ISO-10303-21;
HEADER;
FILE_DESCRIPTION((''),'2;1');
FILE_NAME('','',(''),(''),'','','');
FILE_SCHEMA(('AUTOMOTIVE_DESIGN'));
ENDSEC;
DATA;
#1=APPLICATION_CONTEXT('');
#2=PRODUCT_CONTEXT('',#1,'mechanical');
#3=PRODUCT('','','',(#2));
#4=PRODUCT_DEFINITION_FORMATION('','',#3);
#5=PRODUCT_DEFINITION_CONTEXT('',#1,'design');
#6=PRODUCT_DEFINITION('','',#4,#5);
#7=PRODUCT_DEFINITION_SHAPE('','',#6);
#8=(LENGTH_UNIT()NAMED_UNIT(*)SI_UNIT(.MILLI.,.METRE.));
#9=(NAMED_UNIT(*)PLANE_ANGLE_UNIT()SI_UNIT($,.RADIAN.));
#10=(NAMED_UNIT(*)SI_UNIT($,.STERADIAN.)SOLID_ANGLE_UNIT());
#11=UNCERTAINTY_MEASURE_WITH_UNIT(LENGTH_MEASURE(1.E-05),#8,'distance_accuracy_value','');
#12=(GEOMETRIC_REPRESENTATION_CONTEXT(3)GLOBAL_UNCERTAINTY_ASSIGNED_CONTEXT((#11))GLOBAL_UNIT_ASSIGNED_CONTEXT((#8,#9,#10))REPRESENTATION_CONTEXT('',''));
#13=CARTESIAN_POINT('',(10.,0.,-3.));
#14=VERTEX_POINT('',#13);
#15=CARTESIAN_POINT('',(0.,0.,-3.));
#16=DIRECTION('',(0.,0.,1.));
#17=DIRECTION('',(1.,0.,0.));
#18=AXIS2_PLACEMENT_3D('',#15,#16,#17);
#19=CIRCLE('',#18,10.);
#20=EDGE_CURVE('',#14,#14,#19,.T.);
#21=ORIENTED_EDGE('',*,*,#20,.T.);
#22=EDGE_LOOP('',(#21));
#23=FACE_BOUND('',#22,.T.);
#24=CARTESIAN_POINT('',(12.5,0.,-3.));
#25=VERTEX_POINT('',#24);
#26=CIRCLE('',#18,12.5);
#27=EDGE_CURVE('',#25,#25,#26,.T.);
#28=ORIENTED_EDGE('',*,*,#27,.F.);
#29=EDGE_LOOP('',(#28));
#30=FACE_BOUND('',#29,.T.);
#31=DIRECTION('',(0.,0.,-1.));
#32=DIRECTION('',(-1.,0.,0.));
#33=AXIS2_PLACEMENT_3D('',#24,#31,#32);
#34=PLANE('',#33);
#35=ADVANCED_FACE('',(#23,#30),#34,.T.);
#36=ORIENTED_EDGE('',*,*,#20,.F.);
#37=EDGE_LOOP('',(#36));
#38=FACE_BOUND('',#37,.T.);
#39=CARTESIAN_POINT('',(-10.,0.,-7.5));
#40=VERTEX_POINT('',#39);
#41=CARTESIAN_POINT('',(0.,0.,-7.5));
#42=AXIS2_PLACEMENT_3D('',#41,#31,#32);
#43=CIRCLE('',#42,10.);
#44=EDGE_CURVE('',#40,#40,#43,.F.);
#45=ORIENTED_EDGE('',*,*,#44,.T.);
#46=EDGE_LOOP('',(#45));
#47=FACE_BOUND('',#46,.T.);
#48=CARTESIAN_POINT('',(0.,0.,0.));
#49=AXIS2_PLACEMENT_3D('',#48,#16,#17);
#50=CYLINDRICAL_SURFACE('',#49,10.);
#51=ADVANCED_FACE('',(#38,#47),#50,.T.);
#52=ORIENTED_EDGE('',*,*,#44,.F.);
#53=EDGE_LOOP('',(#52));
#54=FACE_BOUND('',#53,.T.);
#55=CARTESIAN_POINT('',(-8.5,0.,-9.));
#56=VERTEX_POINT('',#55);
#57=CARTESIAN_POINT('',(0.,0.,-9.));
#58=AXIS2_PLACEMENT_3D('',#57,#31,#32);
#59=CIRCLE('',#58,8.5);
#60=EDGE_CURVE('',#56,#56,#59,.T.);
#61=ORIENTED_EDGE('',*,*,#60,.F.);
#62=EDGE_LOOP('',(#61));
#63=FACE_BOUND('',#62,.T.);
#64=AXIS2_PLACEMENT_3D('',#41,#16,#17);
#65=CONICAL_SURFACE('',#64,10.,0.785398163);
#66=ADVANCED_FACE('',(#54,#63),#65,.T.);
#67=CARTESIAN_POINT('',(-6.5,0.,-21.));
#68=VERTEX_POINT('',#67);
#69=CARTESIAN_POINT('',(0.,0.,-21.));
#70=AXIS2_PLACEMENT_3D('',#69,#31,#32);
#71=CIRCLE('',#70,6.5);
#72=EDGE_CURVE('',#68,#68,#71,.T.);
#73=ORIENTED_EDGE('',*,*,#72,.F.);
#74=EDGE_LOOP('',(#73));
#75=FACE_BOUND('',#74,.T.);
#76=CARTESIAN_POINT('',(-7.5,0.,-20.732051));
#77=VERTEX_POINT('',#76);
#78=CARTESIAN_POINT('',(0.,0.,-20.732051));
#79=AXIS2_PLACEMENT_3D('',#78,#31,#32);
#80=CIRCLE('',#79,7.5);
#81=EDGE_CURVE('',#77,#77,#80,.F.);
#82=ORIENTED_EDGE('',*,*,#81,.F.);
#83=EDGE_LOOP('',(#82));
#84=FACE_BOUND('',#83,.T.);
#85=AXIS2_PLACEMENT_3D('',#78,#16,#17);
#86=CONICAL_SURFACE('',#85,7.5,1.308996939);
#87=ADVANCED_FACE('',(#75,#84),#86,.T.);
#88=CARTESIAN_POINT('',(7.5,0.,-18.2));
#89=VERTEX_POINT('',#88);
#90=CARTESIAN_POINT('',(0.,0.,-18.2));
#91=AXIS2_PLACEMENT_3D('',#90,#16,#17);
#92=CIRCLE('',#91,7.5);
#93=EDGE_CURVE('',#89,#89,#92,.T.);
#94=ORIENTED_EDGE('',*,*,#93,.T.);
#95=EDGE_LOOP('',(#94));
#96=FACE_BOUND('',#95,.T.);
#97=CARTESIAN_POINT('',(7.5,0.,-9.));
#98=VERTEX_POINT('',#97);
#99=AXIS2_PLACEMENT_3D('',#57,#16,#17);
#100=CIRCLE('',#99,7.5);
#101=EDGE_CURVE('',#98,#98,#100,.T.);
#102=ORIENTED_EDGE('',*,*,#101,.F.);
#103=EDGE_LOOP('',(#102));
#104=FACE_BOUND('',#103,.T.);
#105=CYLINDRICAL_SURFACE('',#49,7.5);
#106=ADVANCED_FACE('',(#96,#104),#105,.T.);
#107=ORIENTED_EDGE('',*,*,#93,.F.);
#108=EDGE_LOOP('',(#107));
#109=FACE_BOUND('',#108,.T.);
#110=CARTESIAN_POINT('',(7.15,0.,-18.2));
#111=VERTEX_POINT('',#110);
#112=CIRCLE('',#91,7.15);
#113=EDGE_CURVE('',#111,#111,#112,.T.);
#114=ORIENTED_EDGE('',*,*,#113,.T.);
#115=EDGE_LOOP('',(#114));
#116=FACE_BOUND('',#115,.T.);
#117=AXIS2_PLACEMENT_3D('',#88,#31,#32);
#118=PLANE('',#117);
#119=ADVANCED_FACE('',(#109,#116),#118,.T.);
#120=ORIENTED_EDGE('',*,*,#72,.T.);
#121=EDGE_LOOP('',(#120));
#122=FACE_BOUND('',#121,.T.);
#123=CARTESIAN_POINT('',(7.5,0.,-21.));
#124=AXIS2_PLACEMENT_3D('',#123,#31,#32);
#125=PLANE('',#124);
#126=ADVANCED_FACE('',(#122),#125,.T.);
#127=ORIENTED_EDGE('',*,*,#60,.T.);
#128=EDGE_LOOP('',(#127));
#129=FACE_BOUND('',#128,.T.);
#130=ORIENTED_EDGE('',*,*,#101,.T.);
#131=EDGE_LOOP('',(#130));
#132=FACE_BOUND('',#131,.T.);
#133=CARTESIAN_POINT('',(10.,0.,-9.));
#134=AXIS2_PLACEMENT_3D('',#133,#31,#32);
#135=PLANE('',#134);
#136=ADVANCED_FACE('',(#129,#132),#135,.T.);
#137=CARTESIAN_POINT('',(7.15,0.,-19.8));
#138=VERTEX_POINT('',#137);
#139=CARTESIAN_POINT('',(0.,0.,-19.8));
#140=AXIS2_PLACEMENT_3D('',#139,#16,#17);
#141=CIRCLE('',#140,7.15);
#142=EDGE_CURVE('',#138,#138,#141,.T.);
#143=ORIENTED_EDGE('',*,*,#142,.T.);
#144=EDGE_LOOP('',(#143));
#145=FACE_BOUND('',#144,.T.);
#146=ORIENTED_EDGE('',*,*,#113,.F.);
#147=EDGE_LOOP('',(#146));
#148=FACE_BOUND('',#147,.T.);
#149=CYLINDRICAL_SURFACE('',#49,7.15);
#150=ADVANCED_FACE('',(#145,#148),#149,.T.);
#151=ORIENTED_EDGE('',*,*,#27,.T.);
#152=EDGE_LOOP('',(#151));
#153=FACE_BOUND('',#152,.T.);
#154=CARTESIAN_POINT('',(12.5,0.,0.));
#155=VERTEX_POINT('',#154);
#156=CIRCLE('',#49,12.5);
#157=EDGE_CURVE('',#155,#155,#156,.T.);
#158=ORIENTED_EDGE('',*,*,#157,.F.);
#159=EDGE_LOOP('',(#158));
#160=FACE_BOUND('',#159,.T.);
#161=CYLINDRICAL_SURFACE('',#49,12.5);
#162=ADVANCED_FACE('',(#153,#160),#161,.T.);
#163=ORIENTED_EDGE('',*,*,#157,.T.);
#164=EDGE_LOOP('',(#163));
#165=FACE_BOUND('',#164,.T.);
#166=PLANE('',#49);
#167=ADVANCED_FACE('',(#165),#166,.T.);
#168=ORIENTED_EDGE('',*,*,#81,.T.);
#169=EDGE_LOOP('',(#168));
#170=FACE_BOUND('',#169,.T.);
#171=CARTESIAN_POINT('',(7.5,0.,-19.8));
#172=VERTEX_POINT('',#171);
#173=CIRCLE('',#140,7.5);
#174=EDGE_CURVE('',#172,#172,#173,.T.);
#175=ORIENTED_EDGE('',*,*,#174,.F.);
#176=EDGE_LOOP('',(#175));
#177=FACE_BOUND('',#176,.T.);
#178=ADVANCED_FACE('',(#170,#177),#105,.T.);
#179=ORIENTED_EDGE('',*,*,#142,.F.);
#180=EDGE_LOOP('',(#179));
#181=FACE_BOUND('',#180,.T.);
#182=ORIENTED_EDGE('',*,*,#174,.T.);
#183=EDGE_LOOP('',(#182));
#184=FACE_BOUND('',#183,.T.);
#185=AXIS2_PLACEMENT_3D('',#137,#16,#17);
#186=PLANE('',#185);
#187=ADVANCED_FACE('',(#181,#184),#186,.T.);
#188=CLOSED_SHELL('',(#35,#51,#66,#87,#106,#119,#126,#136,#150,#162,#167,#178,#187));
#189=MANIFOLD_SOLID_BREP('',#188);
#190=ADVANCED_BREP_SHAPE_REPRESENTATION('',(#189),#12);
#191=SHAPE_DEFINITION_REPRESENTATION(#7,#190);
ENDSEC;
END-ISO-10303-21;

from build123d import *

# Parameters (mm, degrees)
CHAMFER1_SIZE  = 1
CHAMFER1_SIZE2 = 0.267949192
CHAMFER2_SIZE  = 1.5


with BuildPart() as part:
    # Sketch1 → Revolve1 (revolve)
    with BuildSketch(Plane(origin=(0, 0, 0), x_dir=(1, 0, 0), z_dir=(0, 1, 0))):
        Polygon((0, 0), (12.5, 0), (12.5, 3), (10, 3), (10, 9), (7.5, 9), (7.5, 18.2), (7.15, 18.2), (7.15, 19.8), (7.5, 19.8), (7.5, 21), (0, 21), align=None)
    revolve(axis=Axis((0, 0, 0), (0, 0, -1)))

    # Chamfer1
    chamfer1_edges = [part.edges().sort_by_distance(p)[0] for p in [
        (-7.5, 0, -21),
    ]]
    chamfer1_side = [part.faces().sort_by_distance(p)[0] for p in [
        (0, 0, -21),
    ]]
    chamfer(chamfer1_edges, length=CHAMFER1_SIZE, length2=CHAMFER1_SIZE2, reference=chamfer1_side[0])

    # Chamfer2
    chamfer2_edges = [part.edges().sort_by_distance(p)[0] for p in [
        (-10, 0, -9),
    ]]
    chamfer(chamfer2_edges, length=CHAMFER2_SIZE)


solid = part.part
